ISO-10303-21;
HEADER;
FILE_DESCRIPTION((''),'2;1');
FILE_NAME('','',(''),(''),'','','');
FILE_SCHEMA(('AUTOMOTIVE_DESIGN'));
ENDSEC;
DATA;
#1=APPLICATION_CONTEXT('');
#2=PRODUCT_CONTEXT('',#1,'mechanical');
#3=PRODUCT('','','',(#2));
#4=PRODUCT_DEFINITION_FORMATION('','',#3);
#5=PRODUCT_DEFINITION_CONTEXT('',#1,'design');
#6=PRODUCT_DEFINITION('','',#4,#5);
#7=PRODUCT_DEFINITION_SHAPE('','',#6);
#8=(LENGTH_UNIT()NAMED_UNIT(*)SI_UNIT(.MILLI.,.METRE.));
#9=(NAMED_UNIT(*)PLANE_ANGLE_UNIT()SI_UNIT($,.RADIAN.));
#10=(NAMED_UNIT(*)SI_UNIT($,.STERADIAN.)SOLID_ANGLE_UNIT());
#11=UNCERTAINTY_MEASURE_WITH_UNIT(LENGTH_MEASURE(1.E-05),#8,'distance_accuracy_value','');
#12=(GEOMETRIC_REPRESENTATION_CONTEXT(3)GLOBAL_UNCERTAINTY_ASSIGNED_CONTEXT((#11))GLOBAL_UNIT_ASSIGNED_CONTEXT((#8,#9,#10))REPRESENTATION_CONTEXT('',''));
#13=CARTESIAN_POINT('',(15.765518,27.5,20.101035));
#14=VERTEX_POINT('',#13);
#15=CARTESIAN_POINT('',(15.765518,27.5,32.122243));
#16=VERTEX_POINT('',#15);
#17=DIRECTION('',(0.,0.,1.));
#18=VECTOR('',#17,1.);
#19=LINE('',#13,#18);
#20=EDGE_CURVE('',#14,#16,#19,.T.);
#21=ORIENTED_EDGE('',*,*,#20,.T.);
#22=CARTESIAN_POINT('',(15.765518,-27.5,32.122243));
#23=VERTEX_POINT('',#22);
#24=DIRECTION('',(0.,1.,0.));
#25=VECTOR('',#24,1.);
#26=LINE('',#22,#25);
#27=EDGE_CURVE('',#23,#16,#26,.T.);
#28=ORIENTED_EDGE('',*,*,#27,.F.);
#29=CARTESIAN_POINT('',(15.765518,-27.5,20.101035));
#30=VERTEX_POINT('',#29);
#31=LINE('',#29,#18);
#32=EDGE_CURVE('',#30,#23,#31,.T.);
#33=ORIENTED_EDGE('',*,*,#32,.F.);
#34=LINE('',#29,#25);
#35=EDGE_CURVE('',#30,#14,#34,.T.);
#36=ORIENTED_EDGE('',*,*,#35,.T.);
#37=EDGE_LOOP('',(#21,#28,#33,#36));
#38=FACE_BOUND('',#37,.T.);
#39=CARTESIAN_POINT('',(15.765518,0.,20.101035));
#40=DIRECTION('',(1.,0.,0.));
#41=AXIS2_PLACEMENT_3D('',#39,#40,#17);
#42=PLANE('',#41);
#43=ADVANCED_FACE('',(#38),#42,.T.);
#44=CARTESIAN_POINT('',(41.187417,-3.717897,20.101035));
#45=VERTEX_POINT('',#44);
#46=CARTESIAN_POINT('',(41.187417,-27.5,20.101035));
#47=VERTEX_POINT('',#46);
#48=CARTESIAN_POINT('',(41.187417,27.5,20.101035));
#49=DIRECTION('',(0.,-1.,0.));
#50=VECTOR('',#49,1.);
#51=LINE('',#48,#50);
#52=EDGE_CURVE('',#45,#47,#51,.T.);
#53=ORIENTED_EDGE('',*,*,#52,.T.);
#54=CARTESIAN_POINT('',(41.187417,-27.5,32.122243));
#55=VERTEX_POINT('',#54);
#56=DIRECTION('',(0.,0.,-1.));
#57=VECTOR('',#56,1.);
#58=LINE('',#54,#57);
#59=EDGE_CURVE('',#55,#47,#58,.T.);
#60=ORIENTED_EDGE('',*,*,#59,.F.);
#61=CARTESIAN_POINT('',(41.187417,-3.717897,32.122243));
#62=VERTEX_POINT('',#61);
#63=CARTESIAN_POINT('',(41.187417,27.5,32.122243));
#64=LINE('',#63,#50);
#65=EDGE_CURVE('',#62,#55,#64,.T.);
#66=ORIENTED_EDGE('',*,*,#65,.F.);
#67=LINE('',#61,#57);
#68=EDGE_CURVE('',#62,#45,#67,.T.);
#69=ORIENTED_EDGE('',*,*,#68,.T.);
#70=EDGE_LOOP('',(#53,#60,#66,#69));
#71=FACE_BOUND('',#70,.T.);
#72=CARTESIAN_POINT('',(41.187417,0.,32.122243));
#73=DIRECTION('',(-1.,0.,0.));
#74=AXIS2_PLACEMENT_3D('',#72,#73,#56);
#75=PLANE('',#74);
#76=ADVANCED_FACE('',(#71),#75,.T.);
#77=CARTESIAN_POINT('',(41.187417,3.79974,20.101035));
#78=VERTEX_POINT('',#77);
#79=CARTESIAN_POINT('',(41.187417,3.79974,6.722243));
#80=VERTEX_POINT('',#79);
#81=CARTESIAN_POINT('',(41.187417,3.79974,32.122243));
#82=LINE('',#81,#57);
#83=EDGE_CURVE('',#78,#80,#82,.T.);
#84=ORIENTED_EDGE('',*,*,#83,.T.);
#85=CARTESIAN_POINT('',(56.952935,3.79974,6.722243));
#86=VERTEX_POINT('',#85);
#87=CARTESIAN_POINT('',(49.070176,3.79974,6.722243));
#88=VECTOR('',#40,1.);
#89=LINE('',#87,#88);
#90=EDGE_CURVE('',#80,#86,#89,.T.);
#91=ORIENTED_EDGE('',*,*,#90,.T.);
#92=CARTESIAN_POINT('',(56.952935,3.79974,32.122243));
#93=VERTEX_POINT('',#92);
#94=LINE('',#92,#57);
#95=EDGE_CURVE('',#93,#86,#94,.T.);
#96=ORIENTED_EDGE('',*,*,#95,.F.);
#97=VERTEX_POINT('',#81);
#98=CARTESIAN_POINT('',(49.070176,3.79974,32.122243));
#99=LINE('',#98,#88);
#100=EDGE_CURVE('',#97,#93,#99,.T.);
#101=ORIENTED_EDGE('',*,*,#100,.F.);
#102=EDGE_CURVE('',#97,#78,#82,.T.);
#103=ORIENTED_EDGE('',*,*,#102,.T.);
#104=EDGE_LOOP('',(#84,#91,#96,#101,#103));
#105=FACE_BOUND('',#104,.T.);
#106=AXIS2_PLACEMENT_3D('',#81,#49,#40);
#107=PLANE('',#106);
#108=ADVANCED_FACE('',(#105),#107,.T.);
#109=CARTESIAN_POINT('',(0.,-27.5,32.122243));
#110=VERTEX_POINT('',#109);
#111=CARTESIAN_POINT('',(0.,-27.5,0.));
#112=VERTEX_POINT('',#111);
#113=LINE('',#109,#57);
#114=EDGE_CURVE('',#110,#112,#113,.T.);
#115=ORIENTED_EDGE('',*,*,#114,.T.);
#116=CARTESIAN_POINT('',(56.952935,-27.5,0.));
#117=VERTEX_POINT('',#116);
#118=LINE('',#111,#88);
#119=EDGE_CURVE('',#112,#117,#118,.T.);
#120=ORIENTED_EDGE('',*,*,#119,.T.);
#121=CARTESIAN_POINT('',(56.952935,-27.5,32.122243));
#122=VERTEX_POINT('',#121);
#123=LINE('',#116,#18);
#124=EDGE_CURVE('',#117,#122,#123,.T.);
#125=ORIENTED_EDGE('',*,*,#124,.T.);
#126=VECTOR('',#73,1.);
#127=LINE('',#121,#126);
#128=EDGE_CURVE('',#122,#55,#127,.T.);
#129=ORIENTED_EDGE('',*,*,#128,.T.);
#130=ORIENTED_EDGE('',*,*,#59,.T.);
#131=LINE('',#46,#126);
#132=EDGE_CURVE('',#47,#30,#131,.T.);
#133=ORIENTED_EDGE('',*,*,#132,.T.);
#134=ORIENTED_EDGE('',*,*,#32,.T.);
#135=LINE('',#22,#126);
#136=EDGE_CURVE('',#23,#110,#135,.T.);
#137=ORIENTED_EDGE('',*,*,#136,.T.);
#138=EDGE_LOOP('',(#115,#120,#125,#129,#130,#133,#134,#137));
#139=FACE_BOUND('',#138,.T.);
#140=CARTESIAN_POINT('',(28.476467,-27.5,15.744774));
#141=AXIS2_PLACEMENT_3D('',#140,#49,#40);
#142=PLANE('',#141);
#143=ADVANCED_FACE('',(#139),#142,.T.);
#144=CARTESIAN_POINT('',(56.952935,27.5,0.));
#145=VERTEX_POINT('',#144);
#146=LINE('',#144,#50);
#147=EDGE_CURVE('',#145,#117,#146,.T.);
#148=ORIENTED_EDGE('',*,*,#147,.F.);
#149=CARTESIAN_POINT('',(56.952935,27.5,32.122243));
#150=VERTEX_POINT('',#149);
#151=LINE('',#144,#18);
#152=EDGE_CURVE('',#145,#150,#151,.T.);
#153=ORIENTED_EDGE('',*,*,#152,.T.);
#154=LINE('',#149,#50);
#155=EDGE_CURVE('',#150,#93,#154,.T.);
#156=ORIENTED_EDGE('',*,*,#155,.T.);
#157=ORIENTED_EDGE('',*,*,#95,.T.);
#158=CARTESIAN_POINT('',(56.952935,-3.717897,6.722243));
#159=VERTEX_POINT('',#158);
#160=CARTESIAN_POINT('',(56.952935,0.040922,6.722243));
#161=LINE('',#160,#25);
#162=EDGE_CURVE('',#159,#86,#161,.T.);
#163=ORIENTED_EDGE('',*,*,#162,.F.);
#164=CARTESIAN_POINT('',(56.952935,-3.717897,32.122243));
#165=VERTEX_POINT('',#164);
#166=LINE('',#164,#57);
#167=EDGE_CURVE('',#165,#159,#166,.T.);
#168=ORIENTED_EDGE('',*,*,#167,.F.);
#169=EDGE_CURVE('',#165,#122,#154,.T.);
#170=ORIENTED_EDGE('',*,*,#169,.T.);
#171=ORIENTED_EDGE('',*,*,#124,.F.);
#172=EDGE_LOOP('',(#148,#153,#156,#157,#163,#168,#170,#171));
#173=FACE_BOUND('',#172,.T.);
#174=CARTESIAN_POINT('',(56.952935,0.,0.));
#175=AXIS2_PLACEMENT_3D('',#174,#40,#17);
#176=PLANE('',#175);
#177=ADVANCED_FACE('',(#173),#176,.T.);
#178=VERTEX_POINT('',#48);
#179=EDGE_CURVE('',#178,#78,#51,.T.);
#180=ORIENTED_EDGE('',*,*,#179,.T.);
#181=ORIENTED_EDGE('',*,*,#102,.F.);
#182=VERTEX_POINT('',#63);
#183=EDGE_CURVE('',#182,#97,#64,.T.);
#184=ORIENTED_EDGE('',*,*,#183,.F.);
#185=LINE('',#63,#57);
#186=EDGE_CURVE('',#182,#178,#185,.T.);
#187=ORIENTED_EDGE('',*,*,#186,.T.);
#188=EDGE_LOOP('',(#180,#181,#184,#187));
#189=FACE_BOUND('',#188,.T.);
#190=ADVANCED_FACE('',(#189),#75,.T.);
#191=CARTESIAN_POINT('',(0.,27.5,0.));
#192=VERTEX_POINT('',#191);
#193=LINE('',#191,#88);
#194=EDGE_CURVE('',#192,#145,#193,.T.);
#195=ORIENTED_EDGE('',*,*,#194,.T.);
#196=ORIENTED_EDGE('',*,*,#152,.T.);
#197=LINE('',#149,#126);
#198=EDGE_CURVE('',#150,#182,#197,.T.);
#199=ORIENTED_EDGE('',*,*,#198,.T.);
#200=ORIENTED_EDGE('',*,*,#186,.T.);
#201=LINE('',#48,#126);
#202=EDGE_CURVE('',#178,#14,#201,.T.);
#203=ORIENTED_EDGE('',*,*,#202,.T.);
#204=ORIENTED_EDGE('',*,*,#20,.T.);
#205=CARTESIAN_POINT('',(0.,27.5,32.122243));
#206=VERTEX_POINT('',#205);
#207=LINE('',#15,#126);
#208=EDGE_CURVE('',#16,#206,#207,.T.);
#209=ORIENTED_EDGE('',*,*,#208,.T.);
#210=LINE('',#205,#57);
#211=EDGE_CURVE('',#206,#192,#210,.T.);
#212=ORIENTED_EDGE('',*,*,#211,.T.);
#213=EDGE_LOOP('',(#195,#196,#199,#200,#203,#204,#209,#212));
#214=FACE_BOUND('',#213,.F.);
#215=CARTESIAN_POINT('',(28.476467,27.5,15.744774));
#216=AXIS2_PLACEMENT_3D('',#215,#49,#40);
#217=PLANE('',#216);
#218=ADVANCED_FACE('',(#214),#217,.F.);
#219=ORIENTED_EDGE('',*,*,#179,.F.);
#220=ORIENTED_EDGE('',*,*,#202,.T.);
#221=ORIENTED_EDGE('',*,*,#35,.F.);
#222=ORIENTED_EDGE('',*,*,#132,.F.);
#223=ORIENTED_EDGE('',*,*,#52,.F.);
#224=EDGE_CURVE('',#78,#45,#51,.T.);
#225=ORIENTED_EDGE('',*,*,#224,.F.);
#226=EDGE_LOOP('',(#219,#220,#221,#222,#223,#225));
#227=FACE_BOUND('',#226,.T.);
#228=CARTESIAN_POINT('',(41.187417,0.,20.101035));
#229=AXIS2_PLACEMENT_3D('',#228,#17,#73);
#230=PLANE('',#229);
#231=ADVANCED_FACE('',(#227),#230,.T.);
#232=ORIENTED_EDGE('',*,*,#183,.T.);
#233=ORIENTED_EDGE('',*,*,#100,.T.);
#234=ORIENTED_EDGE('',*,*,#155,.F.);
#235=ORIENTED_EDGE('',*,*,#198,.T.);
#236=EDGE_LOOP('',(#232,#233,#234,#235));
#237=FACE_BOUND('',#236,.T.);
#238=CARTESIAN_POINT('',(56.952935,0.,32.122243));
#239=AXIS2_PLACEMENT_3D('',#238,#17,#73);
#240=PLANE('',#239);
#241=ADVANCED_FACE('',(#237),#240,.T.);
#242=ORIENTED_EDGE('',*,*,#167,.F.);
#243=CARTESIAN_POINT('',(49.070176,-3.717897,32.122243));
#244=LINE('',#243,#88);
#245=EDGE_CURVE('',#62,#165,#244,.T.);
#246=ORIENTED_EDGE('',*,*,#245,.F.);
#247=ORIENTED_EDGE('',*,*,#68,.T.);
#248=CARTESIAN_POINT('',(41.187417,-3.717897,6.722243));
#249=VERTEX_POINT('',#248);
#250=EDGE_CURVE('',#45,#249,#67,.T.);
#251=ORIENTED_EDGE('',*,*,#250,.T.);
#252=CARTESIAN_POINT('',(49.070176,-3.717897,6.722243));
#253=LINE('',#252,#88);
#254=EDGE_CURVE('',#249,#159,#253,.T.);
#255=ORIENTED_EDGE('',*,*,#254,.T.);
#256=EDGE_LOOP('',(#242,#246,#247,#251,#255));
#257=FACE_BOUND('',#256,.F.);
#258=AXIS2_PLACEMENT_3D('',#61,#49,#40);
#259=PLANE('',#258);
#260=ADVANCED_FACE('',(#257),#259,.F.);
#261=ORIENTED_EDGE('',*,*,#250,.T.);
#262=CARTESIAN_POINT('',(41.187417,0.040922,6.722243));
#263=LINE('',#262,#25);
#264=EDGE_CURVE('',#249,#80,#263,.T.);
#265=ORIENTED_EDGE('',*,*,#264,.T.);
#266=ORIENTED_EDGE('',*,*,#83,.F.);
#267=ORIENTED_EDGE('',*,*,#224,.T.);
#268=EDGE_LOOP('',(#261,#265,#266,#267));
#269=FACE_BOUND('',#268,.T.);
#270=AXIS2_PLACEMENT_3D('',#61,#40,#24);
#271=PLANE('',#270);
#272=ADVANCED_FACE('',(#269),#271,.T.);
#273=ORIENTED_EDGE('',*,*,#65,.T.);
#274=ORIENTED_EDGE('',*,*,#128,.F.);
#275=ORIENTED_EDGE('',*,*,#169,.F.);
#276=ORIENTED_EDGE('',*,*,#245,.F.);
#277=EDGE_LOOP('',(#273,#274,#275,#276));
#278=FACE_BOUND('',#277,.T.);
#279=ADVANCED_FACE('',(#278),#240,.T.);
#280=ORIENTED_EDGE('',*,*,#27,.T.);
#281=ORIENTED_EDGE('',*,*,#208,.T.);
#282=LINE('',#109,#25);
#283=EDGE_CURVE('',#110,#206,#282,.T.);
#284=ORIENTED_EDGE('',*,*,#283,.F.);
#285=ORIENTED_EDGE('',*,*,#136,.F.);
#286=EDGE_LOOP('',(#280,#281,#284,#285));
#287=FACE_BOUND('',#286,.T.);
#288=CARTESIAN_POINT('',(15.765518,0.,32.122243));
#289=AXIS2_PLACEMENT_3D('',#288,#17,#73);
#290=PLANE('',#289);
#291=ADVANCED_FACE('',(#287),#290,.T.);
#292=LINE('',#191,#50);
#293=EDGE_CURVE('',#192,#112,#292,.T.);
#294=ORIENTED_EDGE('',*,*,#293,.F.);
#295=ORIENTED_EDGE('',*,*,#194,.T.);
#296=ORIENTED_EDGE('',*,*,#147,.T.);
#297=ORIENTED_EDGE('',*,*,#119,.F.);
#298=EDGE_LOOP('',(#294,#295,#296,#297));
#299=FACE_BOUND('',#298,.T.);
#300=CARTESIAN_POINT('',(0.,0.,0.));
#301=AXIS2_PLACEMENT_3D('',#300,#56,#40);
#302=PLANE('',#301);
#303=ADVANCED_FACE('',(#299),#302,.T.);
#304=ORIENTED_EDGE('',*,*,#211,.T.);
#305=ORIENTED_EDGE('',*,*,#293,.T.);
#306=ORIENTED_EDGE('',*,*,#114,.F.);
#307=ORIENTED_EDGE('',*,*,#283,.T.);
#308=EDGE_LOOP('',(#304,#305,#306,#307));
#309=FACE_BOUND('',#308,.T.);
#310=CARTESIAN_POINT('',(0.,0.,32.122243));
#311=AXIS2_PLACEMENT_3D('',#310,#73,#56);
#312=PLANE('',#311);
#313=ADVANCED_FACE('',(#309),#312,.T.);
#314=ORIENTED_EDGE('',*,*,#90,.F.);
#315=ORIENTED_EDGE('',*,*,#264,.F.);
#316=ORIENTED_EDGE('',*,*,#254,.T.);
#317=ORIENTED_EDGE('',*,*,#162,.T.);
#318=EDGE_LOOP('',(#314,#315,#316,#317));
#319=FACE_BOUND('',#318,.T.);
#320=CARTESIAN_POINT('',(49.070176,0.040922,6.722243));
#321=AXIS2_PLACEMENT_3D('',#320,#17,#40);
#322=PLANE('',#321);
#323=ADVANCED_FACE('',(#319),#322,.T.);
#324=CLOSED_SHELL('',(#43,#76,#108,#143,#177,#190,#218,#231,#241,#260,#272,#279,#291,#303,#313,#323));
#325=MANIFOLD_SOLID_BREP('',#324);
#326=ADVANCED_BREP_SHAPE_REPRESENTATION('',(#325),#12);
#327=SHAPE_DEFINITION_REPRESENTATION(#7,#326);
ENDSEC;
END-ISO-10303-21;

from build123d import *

# Parameters (mm, degrees)
F0_R     = 9.4158486149
F1_DEPTH = 25.4
F4_DEPTH = 27.5
F5_W     = 15.7655179501
F5_H     = 7.5176365208
F6_DEPTH = 25.4


with BuildPart() as f1:
    # F0 (on Front) → F1 (new body)
    with BuildSketch(Plane.XZ):
        with BuildLine():
            Line((-26.7482474446, -27.6464950293), (26.7482474446, -27.6464950293))
            Line((26.7482474446, -27.6464950293), (26.7482474446, 27.6464950293))
            ThreePointArc((26.7482474446, 27.6464950293), (0, 0.8982475847), (-26.7482474446, 27.6464950293))
            Line((-26.7482474446, 27.6464950293), (-26.7482474446, -27.6464950293))
        make_face()
        with BuildLine():
            ThreePointArc((-26.7482474446, 27.6464950293), (0, 0.8982475847), (26.7482474446, 27.6464950293))
            ThreePointArc((26.7482474446, 27.6464950293), (0, 54.394742474), (-26.7482474446, 27.6464950293))
        make_face()
        with Locations((0, 27.6464950293)):
            Circle(F0_R, mode=Mode.SUBTRACT)
    extrude(amount=F1_DEPTH)


with BuildPart() as f4:
    # F3 (on Front) → F4 (new body, symmetric)
    with BuildSketch(Plane.XZ):
        Polygon((0, 32.1222431958), (0, 0), (56.9529347122, 0), (56.9529347122, 32.1222431958), (41.1874167621, 32.1222431958), (41.1874167621, 20.1010350138), (15.7655179501, 20.1010350138), (15.7655179501, 32.1222431958), align=None)
    extrude(amount=F4_DEPTH, both=True)

    # F5 (on face) → F6 (cut)
    with BuildSketch(Plane.XY.offset(32.1222431958)):
        with Locations((49.0701757371, 0.0409217319)):
            Rectangle(F5_W, F5_H)
    extrude(amount=-F6_DEPTH, mode=Mode.SUBTRACT)


solid = f4.part
